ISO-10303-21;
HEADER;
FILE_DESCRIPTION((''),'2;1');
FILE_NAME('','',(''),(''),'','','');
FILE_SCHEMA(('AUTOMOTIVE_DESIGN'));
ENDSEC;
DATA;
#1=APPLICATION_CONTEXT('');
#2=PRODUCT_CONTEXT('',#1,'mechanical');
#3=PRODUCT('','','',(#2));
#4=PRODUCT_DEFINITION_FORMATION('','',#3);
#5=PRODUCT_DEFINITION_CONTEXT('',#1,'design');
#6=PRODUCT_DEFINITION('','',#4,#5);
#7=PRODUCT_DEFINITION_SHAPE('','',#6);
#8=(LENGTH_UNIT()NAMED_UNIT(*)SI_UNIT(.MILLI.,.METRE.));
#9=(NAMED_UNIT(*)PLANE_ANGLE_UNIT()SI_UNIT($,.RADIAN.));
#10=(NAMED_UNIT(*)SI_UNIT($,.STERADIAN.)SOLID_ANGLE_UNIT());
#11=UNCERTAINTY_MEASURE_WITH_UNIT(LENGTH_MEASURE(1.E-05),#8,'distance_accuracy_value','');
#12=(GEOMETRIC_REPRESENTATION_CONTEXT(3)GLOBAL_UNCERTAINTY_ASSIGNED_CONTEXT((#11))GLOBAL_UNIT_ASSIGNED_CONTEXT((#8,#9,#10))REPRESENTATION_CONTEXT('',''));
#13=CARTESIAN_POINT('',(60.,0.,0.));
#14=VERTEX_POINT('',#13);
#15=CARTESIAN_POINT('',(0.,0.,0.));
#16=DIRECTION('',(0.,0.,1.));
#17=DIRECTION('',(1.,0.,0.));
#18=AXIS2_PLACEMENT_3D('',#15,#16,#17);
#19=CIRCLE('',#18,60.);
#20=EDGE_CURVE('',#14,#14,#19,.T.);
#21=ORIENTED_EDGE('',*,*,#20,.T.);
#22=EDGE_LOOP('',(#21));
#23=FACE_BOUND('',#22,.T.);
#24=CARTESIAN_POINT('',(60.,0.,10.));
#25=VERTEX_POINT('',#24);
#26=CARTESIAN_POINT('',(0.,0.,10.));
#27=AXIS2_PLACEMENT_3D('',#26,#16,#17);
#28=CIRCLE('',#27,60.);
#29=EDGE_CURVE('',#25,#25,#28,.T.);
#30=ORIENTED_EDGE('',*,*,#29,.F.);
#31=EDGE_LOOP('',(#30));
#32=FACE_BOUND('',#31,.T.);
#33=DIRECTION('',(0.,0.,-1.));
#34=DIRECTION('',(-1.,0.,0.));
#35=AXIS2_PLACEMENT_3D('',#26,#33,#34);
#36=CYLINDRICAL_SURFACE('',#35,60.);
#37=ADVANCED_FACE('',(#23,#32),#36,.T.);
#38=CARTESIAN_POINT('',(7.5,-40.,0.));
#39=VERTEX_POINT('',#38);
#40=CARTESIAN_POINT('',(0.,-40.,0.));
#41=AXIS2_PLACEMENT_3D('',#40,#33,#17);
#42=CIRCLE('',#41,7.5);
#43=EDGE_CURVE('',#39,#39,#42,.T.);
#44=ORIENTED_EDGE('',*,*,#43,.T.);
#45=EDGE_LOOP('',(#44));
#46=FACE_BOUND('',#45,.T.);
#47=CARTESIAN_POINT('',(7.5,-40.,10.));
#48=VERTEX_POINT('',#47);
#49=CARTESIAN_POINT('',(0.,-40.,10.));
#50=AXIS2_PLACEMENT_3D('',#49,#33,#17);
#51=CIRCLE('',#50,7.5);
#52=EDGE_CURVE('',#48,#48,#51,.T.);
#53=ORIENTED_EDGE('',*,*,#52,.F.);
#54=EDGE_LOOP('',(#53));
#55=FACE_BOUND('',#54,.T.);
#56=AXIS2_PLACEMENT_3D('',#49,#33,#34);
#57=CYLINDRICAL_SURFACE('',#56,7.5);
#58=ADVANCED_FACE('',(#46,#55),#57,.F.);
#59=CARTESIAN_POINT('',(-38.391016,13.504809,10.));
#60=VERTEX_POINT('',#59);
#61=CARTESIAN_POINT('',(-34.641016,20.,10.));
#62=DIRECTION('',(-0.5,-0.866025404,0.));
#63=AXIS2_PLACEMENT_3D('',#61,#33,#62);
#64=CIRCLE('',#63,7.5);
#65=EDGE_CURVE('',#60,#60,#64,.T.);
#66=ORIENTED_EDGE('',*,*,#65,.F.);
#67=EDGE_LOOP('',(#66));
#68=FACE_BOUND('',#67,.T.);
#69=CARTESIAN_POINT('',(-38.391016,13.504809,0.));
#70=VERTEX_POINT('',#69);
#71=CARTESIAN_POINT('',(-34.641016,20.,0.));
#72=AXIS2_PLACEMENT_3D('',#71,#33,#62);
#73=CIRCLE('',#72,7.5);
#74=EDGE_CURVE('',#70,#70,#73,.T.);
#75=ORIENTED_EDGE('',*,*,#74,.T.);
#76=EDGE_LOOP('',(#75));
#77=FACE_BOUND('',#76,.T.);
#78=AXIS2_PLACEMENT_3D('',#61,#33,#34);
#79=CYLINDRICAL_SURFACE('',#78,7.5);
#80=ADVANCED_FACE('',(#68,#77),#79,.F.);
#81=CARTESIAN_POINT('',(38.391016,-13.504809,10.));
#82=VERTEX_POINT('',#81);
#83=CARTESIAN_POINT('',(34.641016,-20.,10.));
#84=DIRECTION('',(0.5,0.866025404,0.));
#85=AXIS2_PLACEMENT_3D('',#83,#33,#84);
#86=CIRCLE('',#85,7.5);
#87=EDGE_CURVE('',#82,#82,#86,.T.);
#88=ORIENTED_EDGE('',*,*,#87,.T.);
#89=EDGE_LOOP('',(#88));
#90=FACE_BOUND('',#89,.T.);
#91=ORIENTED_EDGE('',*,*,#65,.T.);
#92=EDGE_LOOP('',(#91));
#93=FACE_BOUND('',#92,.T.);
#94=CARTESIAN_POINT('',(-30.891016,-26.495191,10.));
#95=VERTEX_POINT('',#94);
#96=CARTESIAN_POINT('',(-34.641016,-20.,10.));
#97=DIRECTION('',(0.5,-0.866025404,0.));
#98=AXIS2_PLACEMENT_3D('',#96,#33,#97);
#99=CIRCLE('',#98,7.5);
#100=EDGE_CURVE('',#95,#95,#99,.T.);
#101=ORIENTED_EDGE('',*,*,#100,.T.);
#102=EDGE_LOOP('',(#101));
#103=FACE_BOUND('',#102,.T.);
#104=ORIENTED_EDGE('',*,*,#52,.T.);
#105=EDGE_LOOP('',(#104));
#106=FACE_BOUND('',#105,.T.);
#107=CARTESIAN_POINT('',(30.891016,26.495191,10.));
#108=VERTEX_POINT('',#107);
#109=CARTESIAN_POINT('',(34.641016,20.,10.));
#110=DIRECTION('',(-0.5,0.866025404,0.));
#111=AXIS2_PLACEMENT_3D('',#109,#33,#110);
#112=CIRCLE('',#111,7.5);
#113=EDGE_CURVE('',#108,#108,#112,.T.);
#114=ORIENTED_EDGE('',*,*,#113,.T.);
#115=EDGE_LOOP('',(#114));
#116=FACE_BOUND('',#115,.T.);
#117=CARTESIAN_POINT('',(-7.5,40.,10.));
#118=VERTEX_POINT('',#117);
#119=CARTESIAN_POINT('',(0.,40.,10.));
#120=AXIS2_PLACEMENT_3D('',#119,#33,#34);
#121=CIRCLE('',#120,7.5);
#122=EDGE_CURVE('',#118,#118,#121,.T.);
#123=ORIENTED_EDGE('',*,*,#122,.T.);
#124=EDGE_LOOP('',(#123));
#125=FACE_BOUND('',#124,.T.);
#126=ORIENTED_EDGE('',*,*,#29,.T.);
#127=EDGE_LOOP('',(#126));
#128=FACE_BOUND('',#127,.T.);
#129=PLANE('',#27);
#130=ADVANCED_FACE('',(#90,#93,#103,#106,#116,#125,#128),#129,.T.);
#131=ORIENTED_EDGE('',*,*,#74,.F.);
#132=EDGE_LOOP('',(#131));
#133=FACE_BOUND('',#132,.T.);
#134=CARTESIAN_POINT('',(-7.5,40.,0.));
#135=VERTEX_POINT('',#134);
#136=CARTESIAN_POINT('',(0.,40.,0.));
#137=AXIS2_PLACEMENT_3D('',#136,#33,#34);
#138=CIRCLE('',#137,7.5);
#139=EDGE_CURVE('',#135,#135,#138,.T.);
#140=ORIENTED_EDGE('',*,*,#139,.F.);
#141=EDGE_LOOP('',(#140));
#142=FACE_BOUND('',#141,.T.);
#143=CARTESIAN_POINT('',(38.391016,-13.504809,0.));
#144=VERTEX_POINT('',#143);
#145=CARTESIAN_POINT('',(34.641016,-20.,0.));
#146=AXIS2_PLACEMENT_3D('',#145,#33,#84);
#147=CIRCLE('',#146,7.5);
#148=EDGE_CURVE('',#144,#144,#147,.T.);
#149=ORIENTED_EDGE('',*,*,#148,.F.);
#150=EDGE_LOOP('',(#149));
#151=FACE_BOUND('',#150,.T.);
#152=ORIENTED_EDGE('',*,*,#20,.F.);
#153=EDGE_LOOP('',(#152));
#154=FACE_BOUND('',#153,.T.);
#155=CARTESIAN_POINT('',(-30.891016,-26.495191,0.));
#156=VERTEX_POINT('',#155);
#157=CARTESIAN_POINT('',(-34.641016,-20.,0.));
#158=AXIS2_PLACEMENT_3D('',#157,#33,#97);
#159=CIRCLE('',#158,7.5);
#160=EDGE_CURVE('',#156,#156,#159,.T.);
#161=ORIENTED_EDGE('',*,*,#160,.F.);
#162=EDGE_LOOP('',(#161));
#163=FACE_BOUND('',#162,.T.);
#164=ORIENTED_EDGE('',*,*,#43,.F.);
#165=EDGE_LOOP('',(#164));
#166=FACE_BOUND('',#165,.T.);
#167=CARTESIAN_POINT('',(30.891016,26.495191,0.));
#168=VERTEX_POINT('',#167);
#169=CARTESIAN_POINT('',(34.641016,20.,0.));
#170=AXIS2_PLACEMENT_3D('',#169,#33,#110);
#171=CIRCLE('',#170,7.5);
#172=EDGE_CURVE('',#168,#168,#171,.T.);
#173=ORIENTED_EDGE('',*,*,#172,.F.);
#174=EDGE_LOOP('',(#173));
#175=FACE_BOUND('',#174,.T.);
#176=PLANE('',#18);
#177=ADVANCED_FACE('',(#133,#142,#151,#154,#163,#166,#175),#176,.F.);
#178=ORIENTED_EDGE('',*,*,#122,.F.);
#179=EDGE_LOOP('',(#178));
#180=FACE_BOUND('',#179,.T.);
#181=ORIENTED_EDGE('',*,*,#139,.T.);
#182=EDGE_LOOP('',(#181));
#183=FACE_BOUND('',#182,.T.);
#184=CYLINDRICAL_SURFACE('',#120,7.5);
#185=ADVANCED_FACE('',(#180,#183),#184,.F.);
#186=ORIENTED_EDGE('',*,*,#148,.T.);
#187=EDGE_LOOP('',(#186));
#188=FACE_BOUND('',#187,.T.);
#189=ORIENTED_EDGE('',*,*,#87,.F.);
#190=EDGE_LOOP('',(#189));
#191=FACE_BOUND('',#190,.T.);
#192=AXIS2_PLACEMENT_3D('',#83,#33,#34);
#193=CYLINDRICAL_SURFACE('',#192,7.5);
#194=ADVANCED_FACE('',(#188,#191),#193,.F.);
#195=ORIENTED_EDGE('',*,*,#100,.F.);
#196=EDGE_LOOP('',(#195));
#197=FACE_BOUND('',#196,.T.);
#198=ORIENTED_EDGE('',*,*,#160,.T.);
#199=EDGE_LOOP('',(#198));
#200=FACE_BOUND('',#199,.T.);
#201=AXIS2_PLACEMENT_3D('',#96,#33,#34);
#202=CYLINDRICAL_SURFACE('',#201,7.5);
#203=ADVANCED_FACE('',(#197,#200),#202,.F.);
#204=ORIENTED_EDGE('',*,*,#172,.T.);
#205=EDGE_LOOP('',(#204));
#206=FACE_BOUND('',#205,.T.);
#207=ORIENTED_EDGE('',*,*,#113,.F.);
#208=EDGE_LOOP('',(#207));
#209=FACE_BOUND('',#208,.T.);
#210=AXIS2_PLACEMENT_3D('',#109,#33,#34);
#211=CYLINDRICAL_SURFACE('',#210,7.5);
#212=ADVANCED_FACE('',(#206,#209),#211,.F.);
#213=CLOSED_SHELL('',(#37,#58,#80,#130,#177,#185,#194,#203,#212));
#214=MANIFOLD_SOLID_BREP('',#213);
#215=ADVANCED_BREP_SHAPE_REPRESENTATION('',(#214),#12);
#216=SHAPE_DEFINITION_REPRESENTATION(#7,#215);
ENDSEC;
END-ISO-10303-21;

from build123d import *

# Parameters (mm, degrees)
SKICA1_R                 = 60
VYSUNOUT1_DEPTH          = 10
SKICA7_R                 = 7.5
ODEBRAT_VYSUNUT_M1_DEPTH = 11
KRUHOV_POLE1_COUNT       = 6


with BuildPart() as part:
    # Skica1 → Vysunout1 (new body)
    with BuildSketch(Plane.XY):
        Circle(SKICA1_R)
    extrude(amount=VYSUNOUT1_DEPTH)

    # Skica7 → Odebrat vysunutím1 (cut, through all)
    with BuildSketch(Plane(origin=(0, 0, 0), x_dir=(-1, 0, 0), z_dir=(0, 0, -1))):
        with Locations((0, 40)):
            Circle(SKICA7_R)
    odebrat_vysunut_m1 = extrude(amount=-ODEBRAT_VYSUNUT_M1_DEPTH, mode=Mode.SUBTRACT)

    # Kruhové pole1: Odebrat vysunutím1 ×6 about axis
    kruhov_pole1_axis = Axis((0, 0, 0), (0, 0, 1))
    for i in range(1, KRUHOV_POLE1_COUNT):
        add(odebrat_vysunut_m1.rotate(kruhov_pole1_axis, i * 360 / KRUHOV_POLE1_COUNT), mode=Mode.SUBTRACT)


solid = part.part
